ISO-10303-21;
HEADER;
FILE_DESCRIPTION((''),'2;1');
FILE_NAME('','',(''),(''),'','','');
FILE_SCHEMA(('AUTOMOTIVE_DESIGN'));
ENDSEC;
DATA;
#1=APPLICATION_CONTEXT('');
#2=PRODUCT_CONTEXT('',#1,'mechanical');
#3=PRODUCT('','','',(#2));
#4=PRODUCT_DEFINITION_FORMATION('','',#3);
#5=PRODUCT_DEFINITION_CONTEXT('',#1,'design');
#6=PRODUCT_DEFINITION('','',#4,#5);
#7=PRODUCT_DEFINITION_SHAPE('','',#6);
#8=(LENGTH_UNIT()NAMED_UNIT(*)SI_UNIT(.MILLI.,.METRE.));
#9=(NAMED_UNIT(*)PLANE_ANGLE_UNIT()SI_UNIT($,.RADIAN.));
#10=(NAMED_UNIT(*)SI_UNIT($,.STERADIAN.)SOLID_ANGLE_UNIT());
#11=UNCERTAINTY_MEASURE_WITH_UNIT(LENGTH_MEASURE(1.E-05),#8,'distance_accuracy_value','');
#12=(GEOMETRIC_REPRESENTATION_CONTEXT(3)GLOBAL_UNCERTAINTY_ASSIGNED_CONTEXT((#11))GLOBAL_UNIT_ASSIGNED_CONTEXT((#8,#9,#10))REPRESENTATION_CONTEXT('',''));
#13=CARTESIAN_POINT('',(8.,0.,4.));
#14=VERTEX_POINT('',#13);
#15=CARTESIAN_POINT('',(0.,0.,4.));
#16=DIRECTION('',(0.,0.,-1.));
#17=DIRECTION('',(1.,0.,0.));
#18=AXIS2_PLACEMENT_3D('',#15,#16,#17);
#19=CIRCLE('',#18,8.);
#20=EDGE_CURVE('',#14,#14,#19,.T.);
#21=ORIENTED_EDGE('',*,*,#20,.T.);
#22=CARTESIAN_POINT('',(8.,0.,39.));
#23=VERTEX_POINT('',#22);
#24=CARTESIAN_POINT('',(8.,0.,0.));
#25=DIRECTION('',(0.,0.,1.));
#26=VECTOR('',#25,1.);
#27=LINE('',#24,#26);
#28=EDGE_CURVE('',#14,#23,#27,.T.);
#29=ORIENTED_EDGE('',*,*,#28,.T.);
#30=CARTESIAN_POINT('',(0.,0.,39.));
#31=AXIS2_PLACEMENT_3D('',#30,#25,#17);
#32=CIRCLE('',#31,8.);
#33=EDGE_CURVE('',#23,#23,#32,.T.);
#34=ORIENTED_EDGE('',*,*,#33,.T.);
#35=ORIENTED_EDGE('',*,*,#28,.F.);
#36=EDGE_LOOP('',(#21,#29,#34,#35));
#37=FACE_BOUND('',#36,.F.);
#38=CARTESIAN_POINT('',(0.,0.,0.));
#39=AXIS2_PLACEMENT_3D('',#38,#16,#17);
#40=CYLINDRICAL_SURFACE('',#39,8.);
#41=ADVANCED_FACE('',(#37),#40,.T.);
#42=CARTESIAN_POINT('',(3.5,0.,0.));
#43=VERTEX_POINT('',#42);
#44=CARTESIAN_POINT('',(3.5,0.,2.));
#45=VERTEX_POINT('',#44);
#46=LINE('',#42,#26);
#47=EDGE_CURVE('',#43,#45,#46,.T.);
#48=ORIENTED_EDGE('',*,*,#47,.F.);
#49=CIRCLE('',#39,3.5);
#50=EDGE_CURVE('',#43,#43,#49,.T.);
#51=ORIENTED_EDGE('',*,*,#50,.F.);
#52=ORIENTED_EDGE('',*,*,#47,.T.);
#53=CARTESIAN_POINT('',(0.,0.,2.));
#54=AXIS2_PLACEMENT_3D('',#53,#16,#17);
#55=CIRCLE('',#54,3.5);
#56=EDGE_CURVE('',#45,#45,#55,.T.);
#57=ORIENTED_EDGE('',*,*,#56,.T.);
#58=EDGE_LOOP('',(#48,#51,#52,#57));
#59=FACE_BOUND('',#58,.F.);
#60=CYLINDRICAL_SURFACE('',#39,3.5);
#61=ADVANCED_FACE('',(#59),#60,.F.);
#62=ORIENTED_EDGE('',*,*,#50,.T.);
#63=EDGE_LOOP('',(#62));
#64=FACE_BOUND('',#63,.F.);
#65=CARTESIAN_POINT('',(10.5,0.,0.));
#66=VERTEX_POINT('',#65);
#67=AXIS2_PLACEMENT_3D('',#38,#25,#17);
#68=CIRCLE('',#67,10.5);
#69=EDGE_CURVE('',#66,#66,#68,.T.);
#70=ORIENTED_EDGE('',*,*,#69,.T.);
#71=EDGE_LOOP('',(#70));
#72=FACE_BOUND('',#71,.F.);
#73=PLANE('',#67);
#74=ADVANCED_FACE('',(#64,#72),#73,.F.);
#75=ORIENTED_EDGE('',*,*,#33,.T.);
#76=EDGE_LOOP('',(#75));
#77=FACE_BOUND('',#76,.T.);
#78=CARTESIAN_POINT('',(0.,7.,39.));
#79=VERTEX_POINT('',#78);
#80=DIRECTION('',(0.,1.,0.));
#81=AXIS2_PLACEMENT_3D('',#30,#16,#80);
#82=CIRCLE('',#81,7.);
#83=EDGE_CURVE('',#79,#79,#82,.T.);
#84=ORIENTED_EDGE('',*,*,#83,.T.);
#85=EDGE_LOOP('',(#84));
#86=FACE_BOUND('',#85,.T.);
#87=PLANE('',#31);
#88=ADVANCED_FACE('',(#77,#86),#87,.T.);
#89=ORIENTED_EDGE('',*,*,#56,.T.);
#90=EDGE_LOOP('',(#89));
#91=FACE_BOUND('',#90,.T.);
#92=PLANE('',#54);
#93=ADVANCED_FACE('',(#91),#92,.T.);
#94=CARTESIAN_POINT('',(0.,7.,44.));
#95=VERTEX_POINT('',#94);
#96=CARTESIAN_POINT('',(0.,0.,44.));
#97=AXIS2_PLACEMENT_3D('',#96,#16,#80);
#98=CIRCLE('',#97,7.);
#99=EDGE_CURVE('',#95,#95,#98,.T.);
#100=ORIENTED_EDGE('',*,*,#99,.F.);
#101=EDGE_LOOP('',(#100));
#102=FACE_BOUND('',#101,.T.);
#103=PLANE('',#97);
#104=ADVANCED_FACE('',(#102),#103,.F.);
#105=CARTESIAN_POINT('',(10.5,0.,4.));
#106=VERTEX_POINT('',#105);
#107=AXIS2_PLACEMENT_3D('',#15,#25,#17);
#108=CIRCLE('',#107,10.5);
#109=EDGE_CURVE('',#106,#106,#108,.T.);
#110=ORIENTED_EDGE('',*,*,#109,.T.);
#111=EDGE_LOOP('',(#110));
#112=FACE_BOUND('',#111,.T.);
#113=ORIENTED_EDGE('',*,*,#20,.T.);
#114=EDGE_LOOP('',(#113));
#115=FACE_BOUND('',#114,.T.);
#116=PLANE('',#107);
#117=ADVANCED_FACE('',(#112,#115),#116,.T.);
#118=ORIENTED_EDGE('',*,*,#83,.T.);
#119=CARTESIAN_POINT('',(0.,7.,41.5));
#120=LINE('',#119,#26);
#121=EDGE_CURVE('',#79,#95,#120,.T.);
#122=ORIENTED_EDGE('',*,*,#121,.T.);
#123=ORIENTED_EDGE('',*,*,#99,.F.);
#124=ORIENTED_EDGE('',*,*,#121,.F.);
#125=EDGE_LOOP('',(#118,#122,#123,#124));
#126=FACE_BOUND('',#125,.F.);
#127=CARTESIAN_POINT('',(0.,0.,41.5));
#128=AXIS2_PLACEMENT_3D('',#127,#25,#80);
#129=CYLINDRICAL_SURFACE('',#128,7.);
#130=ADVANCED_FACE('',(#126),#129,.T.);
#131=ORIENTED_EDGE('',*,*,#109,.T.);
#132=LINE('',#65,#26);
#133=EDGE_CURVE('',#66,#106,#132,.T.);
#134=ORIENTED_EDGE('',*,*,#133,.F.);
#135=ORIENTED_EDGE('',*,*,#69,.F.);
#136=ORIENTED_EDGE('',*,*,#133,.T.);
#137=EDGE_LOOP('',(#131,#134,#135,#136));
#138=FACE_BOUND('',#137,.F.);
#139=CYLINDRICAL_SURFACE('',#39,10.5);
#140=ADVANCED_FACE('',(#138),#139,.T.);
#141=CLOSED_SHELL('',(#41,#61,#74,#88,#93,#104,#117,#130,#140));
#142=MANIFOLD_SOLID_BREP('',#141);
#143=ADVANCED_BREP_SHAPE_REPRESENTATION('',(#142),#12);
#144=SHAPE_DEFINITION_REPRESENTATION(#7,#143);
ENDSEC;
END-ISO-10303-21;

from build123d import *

# Parameters (mm, degrees)
F0_R     = 10.5
F1_DEPTH = 4
F2_R     = 8
F3_DEPTH = 39
F4_W     = 7
F4_H     = 5
F6_R     = 3.5
F7_DEPTH = 2


with BuildPart() as f1:
    # F0 (on Top) → F1 (new body)
    with BuildSketch(Plane.XY):
        Circle(F0_R)
    extrude(amount=F1_DEPTH)

    # F2 (on Top) → F3 (join)
    with BuildSketch(Plane.XY):
        Circle(F2_R)
    extrude(amount=F3_DEPTH)

    # F4 (on Right) → F5 (revolve)
    with BuildSketch(Plane.YZ):
        with Locations((3.5, 41.5)):
            Rectangle(F4_W, F4_H)
    revolve(axis=Axis((0, 0, 41.5), (0, 0, -1)))

    # F6 (on face) → F7 (cut)
    with BuildSketch(Plane(origin=(0, 0, 0), x_dir=(1, 0, 0), z_dir=(0, 0, -1))):
        Circle(F6_R)
    extrude(amount=-F7_DEPTH, mode=Mode.SUBTRACT)


solid = f1.part
